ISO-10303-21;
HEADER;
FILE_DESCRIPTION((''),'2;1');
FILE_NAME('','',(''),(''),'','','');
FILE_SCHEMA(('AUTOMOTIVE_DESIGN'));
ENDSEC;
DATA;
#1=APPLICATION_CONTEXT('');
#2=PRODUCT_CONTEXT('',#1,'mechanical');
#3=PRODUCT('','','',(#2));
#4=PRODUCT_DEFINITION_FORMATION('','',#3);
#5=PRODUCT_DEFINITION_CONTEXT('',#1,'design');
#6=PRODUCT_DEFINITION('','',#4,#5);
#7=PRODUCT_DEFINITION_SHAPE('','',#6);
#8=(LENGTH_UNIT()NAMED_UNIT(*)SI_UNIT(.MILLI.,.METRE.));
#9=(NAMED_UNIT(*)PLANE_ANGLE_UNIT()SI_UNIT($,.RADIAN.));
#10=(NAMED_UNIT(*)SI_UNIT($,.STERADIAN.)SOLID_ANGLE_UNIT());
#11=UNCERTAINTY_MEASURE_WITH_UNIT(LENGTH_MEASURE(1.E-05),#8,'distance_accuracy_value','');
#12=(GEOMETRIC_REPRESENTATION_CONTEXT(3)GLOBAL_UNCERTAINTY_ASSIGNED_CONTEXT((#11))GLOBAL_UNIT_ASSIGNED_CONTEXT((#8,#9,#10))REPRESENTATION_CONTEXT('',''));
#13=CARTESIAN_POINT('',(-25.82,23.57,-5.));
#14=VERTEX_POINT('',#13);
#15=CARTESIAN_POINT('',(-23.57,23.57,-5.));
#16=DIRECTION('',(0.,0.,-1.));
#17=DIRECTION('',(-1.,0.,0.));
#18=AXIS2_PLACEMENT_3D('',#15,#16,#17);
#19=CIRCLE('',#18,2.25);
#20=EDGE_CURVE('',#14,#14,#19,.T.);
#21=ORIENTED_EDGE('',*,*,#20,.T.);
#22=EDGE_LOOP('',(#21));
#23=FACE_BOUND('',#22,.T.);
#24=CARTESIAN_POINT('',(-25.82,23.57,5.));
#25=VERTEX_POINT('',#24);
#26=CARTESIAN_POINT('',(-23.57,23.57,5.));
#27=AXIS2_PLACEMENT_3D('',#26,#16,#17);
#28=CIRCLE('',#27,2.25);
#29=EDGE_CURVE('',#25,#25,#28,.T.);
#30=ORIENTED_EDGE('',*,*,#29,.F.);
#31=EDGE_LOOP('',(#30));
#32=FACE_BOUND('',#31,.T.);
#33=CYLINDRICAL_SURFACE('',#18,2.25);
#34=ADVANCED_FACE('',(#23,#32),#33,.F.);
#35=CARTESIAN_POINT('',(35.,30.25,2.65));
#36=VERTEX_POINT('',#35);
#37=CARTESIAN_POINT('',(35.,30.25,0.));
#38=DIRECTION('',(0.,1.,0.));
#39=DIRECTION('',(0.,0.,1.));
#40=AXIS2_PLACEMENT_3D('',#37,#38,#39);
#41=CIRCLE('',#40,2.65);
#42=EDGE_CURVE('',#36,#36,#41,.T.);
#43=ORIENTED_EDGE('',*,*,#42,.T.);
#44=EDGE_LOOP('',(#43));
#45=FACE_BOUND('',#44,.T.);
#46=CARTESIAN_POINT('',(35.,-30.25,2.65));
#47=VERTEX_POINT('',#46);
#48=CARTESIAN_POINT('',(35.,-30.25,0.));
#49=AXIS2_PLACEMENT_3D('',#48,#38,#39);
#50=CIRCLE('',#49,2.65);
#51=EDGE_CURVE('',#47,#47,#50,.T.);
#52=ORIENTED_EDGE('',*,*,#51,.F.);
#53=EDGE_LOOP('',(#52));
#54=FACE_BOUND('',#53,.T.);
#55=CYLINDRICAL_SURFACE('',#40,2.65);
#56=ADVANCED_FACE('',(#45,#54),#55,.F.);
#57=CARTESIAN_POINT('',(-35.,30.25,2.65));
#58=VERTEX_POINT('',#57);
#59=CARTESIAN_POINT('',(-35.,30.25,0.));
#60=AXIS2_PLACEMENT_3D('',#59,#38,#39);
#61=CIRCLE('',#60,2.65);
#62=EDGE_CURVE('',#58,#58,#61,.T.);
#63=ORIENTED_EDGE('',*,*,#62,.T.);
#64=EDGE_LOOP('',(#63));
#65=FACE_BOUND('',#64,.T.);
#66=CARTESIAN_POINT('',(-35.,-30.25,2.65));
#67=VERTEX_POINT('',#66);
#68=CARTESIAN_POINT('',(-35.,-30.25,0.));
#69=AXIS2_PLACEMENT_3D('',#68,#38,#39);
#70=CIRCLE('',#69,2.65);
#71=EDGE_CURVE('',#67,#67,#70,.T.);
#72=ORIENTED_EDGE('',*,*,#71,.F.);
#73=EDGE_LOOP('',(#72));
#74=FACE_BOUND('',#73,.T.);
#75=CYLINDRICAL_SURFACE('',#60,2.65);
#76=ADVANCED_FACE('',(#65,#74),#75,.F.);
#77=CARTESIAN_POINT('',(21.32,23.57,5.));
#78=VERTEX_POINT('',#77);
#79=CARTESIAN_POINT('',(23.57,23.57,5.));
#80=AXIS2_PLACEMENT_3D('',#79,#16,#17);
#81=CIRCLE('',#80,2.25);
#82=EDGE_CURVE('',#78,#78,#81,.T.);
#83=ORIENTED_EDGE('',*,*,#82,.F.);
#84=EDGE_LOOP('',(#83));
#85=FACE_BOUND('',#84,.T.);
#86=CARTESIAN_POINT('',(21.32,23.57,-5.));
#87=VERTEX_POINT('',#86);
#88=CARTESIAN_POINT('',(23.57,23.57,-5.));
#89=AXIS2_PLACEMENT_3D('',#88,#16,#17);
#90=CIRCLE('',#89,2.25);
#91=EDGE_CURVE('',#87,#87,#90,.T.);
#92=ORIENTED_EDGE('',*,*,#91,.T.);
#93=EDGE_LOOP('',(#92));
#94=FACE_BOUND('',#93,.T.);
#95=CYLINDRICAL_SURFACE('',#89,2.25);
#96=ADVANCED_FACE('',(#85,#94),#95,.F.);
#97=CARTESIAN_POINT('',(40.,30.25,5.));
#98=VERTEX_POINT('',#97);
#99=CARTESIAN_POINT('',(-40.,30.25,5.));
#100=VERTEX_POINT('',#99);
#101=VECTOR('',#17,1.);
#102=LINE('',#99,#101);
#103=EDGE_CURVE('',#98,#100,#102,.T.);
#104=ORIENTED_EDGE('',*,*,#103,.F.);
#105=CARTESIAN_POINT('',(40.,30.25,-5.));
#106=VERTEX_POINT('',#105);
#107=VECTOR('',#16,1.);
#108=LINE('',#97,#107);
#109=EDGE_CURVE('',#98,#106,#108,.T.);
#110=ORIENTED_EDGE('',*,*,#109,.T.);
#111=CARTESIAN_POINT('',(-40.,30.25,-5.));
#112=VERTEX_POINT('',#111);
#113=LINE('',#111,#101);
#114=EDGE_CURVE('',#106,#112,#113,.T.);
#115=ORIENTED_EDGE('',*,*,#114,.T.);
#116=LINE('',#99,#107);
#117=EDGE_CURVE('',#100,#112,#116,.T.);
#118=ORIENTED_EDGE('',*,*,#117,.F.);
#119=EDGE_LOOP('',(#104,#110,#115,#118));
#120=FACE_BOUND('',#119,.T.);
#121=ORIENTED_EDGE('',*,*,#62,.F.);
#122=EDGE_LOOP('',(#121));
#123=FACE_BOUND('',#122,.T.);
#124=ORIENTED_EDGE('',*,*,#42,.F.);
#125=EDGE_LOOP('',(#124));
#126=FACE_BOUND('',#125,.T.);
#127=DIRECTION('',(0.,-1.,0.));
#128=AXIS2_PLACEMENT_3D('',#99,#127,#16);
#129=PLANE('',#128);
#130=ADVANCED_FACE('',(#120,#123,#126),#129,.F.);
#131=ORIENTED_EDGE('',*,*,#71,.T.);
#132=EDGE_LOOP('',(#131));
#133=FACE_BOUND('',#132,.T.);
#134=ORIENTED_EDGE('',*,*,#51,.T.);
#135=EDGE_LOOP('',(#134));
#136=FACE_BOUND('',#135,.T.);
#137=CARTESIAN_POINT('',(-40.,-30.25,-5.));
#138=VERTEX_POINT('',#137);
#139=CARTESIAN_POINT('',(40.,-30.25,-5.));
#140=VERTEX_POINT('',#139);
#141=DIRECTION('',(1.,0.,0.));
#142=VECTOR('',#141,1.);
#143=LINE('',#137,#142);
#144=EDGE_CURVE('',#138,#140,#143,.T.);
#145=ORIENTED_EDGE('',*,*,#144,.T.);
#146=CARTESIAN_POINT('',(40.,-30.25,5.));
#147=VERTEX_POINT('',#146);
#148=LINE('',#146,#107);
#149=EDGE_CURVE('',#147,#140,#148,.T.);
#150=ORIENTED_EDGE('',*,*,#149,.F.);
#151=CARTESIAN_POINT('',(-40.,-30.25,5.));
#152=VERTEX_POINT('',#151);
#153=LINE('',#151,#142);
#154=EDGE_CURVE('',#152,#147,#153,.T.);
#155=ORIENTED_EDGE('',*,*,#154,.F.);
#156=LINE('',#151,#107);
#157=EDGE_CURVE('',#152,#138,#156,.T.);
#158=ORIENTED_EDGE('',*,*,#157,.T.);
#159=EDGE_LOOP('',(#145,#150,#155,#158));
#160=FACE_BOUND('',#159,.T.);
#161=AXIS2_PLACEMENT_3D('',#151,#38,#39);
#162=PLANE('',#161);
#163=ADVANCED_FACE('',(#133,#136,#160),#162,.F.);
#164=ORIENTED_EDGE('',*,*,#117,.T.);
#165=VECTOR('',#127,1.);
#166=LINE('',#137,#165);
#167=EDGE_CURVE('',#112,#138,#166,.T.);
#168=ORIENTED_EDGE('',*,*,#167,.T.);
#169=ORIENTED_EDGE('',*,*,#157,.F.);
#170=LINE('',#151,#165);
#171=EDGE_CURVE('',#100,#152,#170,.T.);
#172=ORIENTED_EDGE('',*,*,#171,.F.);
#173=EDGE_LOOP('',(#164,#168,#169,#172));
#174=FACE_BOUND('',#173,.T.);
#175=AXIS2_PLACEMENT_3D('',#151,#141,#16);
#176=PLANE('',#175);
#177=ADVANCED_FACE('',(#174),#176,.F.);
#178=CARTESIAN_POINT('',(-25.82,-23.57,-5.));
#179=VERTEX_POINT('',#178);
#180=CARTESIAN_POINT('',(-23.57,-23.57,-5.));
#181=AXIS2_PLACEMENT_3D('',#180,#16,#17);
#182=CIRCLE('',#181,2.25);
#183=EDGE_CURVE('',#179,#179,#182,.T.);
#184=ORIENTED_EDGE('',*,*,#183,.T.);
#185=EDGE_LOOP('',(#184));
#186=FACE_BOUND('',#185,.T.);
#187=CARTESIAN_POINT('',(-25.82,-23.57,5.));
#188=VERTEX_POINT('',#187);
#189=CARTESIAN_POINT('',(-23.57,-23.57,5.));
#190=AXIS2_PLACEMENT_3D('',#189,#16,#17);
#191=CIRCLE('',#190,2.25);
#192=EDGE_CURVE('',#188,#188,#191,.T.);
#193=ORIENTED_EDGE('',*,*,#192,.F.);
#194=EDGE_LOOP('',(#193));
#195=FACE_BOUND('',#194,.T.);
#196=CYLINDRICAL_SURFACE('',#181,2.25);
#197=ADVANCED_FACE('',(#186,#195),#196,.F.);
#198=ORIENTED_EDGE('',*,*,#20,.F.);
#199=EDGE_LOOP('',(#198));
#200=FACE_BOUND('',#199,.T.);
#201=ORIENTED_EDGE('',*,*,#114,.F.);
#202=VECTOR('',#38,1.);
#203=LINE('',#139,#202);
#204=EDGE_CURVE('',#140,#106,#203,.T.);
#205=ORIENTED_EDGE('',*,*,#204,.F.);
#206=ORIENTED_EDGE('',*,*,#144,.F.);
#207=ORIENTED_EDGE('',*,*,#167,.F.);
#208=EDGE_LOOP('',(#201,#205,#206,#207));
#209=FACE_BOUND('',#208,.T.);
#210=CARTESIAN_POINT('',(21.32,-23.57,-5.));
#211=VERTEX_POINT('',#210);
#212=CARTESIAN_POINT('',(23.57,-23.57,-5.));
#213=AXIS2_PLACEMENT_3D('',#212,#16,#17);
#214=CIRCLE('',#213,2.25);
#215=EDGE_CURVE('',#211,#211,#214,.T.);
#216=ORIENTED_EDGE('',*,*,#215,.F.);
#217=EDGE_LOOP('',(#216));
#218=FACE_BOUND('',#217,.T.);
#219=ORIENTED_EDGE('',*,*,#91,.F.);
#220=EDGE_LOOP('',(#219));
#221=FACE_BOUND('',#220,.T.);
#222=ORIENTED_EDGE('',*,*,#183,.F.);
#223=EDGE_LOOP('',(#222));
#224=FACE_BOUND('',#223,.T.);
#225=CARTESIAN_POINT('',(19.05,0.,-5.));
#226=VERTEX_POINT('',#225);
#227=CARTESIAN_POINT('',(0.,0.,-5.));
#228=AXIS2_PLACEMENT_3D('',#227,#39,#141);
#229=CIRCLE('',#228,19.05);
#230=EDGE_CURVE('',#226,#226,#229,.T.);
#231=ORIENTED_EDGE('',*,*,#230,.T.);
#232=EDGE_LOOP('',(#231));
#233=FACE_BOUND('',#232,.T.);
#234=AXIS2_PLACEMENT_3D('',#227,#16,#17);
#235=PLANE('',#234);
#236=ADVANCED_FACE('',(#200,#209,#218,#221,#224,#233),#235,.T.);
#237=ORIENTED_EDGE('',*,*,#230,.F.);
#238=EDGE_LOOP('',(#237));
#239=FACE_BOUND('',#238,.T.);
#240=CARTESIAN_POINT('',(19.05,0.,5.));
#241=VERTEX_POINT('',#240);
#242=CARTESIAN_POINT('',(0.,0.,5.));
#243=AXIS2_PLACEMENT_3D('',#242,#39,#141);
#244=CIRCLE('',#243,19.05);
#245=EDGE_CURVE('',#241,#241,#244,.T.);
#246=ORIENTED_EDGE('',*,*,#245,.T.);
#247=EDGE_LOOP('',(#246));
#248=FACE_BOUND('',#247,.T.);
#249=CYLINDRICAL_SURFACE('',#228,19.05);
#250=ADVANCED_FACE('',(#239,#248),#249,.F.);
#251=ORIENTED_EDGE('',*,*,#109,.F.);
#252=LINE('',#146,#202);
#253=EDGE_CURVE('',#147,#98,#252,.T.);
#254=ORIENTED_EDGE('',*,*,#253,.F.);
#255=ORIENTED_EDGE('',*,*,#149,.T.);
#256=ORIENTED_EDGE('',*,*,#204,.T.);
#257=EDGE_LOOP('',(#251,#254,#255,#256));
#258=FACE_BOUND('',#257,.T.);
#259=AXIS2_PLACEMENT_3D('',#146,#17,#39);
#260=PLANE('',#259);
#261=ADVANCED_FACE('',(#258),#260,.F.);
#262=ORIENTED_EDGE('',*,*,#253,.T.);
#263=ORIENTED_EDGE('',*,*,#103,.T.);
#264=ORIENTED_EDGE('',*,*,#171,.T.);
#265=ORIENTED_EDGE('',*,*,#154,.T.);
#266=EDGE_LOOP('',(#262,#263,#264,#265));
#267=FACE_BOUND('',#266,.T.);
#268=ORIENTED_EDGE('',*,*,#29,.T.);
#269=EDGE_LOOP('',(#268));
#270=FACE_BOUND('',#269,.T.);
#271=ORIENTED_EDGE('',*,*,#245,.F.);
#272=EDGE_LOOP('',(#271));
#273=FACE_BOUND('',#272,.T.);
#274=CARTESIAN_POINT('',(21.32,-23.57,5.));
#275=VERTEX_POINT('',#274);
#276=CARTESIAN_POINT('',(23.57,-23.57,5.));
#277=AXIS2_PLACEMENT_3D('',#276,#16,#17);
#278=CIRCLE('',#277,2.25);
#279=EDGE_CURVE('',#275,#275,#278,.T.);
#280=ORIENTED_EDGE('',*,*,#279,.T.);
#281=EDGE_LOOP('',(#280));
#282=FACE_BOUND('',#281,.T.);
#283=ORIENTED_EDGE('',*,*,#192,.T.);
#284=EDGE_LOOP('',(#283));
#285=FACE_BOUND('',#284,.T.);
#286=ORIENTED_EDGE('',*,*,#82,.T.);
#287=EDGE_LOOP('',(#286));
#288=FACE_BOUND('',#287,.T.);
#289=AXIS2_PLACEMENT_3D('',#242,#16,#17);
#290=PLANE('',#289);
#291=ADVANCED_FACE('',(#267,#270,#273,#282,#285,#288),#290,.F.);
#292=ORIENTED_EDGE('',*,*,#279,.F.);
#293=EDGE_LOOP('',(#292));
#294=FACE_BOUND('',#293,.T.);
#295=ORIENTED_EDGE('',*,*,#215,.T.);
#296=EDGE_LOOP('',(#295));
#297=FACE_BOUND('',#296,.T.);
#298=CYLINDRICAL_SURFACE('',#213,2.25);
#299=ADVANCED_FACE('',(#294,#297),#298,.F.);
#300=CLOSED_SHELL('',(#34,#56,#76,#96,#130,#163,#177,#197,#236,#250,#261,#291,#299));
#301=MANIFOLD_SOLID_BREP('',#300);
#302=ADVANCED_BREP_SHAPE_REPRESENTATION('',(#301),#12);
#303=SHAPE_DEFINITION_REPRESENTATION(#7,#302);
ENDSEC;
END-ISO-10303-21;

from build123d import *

# Parameters (mm, degrees)
SKETCH_1_W          = 80
SKETCH_1_H          = 60.5
EXTRUDE_1_DEPTH     = 5
SKETCH_3_R          = 19.05
CUT_EXTRUDE_1_DEPTH = 52.137681801
HOLE_WIZARD_M4_1_D  = 4.5
HOLE_WIZARD_M5_1_D  = 5.3


with BuildPart() as part:
    # 草圖1 → 填料-伸長1 (new, symmetric)
    with BuildSketch(Plane.XY):
        Rectangle(SKETCH_1_W, SKETCH_1_H)
    extrude(amount=EXTRUDE_1_DEPTH, both=True)

    # 草圖3 → 除料-伸長1 (cut, through all)
    with BuildSketch(Plane.XY.offset(5)):
        Circle(SKETCH_3_R)
    extrude(amount=-CUT_EXTRUDE_1_DEPTH, mode=Mode.SUBTRACT)

    # M4 餘隙孔1 (through all)
    with Locations(Plane(origin=(0, 0, -5), x_dir=(-1, 0, 0), z_dir=(0, 0, -1))):
        with Locations((23.57, 23.57), (-23.57, -23.57), (-23.57, 23.57), (23.57, -23.57)):
            Hole(HOLE_WIZARD_M4_1_D / 2)

    # M5 餘隙孔1 (through all)
    with Locations(Plane(origin=(0, 30.25, 0), x_dir=(1, 0, 0), z_dir=(0, 1, 0))):
        with Locations((-35, 0), (35, 0)):
            Hole(HOLE_WIZARD_M5_1_D / 2)


solid = part.part
